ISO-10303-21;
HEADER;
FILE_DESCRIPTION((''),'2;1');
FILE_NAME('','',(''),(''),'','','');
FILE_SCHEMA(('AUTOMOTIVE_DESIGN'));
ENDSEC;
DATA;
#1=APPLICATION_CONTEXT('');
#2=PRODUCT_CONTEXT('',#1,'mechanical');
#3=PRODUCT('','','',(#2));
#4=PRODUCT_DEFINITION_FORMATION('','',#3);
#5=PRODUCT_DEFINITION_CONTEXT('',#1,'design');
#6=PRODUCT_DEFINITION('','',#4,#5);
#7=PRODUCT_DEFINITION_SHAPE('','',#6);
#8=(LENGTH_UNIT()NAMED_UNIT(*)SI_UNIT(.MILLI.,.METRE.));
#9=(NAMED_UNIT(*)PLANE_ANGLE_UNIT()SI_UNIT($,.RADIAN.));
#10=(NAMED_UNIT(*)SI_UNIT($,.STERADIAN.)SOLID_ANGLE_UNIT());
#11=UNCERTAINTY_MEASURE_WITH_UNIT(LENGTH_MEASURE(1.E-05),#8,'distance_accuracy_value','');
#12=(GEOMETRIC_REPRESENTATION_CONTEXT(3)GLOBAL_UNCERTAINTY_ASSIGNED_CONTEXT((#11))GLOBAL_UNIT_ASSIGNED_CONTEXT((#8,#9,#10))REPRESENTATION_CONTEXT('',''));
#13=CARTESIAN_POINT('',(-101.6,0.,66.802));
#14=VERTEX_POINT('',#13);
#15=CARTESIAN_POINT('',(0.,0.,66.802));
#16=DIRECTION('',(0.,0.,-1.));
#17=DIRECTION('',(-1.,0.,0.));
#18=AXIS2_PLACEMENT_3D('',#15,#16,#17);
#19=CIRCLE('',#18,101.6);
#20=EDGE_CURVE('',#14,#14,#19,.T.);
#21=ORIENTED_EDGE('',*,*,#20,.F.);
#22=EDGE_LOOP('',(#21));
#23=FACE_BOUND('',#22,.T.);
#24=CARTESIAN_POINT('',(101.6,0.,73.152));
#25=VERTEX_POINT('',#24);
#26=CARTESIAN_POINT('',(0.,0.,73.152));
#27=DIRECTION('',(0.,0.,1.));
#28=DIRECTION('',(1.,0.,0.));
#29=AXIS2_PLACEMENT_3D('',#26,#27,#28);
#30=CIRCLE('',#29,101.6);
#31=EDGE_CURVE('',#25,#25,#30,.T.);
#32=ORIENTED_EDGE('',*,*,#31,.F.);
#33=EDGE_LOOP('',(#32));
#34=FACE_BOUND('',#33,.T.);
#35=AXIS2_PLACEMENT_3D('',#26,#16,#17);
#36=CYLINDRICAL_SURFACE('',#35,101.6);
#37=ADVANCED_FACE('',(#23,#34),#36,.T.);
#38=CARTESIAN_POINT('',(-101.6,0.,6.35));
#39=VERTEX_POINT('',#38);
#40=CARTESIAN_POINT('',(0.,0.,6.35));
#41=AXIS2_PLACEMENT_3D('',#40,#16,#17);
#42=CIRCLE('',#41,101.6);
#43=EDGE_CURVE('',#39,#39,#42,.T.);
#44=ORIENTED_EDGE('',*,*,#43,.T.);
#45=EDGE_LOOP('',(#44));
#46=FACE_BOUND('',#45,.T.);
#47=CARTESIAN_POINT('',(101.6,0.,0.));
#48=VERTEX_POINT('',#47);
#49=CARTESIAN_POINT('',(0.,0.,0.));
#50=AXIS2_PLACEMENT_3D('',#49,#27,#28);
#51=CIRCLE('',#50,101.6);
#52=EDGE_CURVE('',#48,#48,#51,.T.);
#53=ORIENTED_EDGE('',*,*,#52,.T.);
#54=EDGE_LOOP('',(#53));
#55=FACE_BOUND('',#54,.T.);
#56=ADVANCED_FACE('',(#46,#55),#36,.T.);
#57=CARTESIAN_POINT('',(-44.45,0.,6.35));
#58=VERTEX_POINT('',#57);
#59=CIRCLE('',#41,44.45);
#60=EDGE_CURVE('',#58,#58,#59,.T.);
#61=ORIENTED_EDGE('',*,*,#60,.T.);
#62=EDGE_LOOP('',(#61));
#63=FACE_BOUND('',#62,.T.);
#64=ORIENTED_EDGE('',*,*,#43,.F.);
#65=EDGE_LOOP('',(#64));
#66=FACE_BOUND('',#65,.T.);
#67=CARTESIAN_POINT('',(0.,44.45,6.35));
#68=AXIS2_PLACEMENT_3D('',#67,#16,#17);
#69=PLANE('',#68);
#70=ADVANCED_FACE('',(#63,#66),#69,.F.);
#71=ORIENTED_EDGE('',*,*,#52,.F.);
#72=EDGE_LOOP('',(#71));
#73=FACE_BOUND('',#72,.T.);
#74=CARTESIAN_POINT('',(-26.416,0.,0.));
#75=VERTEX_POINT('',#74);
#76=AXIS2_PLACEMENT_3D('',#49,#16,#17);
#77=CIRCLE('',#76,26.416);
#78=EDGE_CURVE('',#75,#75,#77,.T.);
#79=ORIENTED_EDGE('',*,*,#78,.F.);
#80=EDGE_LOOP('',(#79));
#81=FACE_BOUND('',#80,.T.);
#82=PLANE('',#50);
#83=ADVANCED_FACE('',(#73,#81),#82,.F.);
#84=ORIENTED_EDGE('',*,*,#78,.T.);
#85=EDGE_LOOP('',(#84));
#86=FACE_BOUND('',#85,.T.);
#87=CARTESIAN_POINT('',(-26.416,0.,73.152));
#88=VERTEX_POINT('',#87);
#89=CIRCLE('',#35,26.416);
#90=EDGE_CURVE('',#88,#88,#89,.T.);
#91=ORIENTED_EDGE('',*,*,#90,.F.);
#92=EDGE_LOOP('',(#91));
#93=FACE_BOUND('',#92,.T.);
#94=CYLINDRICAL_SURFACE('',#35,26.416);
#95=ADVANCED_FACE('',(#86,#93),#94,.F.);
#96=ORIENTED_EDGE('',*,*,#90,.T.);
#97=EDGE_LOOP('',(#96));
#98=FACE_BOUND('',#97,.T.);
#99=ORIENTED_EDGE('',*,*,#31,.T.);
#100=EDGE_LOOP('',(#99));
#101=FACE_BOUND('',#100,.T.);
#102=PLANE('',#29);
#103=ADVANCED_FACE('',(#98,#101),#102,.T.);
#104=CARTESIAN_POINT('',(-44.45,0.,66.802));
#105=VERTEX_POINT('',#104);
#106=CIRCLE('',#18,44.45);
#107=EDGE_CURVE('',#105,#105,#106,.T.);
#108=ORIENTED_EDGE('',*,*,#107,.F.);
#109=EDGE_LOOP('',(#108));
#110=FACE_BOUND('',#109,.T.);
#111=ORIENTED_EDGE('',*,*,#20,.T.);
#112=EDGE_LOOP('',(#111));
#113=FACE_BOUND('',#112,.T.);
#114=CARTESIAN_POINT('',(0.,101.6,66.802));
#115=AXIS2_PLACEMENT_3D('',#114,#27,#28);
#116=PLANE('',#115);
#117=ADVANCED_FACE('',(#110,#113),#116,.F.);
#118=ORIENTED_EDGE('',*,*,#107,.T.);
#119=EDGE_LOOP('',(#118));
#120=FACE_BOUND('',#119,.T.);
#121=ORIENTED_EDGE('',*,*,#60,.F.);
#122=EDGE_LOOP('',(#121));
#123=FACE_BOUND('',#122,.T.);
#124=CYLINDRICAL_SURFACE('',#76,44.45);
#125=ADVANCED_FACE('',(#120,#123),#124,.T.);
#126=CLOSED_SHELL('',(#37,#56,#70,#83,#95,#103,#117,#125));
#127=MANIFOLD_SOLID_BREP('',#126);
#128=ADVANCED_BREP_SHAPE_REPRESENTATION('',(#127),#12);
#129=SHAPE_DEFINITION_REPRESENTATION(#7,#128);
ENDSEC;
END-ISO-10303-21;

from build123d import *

# Parameters (mm, degrees)
SKETCH1_R           = 101.6
BOSS_EXTRUDE1_DEPTH = 73.152
SKETCH3_W           = 60.452
SKETCH3_H           = 57.15
SKETCH4_R           = 26.416
CUT_EXTRUDE1_DEPTH  = 73.152


with BuildPart() as part:
    # Sketch1 → Boss-Extrude1 (new body)
    with BuildSketch(Plane.XY):
        Circle(SKETCH1_R)
    extrude(amount=BOSS_EXTRUDE1_DEPTH)

    # Sketch3 → Cut-Revolve2 (revolve, cut)
    with BuildSketch(Plane(origin=(0, 0, 0), x_dir=(0, 0, -1), z_dir=(1, 0, 0))):
        with Locations((-36.576, 73.025)):
            Rectangle(SKETCH3_W, SKETCH3_H)
    revolve(axis=Axis((0, 0, 0), (0, 0, 1)), mode=Mode.SUBTRACT)

    # Sketch4 → Cut-Extrude1 (cut)
    with BuildSketch(Plane(origin=(0, 0, 0), x_dir=(-1, 0, 0), z_dir=(0, 0, -1))):
        Circle(SKETCH4_R)
    extrude(amount=-CUT_EXTRUDE1_DEPTH, mode=Mode.SUBTRACT)


solid = part.part
